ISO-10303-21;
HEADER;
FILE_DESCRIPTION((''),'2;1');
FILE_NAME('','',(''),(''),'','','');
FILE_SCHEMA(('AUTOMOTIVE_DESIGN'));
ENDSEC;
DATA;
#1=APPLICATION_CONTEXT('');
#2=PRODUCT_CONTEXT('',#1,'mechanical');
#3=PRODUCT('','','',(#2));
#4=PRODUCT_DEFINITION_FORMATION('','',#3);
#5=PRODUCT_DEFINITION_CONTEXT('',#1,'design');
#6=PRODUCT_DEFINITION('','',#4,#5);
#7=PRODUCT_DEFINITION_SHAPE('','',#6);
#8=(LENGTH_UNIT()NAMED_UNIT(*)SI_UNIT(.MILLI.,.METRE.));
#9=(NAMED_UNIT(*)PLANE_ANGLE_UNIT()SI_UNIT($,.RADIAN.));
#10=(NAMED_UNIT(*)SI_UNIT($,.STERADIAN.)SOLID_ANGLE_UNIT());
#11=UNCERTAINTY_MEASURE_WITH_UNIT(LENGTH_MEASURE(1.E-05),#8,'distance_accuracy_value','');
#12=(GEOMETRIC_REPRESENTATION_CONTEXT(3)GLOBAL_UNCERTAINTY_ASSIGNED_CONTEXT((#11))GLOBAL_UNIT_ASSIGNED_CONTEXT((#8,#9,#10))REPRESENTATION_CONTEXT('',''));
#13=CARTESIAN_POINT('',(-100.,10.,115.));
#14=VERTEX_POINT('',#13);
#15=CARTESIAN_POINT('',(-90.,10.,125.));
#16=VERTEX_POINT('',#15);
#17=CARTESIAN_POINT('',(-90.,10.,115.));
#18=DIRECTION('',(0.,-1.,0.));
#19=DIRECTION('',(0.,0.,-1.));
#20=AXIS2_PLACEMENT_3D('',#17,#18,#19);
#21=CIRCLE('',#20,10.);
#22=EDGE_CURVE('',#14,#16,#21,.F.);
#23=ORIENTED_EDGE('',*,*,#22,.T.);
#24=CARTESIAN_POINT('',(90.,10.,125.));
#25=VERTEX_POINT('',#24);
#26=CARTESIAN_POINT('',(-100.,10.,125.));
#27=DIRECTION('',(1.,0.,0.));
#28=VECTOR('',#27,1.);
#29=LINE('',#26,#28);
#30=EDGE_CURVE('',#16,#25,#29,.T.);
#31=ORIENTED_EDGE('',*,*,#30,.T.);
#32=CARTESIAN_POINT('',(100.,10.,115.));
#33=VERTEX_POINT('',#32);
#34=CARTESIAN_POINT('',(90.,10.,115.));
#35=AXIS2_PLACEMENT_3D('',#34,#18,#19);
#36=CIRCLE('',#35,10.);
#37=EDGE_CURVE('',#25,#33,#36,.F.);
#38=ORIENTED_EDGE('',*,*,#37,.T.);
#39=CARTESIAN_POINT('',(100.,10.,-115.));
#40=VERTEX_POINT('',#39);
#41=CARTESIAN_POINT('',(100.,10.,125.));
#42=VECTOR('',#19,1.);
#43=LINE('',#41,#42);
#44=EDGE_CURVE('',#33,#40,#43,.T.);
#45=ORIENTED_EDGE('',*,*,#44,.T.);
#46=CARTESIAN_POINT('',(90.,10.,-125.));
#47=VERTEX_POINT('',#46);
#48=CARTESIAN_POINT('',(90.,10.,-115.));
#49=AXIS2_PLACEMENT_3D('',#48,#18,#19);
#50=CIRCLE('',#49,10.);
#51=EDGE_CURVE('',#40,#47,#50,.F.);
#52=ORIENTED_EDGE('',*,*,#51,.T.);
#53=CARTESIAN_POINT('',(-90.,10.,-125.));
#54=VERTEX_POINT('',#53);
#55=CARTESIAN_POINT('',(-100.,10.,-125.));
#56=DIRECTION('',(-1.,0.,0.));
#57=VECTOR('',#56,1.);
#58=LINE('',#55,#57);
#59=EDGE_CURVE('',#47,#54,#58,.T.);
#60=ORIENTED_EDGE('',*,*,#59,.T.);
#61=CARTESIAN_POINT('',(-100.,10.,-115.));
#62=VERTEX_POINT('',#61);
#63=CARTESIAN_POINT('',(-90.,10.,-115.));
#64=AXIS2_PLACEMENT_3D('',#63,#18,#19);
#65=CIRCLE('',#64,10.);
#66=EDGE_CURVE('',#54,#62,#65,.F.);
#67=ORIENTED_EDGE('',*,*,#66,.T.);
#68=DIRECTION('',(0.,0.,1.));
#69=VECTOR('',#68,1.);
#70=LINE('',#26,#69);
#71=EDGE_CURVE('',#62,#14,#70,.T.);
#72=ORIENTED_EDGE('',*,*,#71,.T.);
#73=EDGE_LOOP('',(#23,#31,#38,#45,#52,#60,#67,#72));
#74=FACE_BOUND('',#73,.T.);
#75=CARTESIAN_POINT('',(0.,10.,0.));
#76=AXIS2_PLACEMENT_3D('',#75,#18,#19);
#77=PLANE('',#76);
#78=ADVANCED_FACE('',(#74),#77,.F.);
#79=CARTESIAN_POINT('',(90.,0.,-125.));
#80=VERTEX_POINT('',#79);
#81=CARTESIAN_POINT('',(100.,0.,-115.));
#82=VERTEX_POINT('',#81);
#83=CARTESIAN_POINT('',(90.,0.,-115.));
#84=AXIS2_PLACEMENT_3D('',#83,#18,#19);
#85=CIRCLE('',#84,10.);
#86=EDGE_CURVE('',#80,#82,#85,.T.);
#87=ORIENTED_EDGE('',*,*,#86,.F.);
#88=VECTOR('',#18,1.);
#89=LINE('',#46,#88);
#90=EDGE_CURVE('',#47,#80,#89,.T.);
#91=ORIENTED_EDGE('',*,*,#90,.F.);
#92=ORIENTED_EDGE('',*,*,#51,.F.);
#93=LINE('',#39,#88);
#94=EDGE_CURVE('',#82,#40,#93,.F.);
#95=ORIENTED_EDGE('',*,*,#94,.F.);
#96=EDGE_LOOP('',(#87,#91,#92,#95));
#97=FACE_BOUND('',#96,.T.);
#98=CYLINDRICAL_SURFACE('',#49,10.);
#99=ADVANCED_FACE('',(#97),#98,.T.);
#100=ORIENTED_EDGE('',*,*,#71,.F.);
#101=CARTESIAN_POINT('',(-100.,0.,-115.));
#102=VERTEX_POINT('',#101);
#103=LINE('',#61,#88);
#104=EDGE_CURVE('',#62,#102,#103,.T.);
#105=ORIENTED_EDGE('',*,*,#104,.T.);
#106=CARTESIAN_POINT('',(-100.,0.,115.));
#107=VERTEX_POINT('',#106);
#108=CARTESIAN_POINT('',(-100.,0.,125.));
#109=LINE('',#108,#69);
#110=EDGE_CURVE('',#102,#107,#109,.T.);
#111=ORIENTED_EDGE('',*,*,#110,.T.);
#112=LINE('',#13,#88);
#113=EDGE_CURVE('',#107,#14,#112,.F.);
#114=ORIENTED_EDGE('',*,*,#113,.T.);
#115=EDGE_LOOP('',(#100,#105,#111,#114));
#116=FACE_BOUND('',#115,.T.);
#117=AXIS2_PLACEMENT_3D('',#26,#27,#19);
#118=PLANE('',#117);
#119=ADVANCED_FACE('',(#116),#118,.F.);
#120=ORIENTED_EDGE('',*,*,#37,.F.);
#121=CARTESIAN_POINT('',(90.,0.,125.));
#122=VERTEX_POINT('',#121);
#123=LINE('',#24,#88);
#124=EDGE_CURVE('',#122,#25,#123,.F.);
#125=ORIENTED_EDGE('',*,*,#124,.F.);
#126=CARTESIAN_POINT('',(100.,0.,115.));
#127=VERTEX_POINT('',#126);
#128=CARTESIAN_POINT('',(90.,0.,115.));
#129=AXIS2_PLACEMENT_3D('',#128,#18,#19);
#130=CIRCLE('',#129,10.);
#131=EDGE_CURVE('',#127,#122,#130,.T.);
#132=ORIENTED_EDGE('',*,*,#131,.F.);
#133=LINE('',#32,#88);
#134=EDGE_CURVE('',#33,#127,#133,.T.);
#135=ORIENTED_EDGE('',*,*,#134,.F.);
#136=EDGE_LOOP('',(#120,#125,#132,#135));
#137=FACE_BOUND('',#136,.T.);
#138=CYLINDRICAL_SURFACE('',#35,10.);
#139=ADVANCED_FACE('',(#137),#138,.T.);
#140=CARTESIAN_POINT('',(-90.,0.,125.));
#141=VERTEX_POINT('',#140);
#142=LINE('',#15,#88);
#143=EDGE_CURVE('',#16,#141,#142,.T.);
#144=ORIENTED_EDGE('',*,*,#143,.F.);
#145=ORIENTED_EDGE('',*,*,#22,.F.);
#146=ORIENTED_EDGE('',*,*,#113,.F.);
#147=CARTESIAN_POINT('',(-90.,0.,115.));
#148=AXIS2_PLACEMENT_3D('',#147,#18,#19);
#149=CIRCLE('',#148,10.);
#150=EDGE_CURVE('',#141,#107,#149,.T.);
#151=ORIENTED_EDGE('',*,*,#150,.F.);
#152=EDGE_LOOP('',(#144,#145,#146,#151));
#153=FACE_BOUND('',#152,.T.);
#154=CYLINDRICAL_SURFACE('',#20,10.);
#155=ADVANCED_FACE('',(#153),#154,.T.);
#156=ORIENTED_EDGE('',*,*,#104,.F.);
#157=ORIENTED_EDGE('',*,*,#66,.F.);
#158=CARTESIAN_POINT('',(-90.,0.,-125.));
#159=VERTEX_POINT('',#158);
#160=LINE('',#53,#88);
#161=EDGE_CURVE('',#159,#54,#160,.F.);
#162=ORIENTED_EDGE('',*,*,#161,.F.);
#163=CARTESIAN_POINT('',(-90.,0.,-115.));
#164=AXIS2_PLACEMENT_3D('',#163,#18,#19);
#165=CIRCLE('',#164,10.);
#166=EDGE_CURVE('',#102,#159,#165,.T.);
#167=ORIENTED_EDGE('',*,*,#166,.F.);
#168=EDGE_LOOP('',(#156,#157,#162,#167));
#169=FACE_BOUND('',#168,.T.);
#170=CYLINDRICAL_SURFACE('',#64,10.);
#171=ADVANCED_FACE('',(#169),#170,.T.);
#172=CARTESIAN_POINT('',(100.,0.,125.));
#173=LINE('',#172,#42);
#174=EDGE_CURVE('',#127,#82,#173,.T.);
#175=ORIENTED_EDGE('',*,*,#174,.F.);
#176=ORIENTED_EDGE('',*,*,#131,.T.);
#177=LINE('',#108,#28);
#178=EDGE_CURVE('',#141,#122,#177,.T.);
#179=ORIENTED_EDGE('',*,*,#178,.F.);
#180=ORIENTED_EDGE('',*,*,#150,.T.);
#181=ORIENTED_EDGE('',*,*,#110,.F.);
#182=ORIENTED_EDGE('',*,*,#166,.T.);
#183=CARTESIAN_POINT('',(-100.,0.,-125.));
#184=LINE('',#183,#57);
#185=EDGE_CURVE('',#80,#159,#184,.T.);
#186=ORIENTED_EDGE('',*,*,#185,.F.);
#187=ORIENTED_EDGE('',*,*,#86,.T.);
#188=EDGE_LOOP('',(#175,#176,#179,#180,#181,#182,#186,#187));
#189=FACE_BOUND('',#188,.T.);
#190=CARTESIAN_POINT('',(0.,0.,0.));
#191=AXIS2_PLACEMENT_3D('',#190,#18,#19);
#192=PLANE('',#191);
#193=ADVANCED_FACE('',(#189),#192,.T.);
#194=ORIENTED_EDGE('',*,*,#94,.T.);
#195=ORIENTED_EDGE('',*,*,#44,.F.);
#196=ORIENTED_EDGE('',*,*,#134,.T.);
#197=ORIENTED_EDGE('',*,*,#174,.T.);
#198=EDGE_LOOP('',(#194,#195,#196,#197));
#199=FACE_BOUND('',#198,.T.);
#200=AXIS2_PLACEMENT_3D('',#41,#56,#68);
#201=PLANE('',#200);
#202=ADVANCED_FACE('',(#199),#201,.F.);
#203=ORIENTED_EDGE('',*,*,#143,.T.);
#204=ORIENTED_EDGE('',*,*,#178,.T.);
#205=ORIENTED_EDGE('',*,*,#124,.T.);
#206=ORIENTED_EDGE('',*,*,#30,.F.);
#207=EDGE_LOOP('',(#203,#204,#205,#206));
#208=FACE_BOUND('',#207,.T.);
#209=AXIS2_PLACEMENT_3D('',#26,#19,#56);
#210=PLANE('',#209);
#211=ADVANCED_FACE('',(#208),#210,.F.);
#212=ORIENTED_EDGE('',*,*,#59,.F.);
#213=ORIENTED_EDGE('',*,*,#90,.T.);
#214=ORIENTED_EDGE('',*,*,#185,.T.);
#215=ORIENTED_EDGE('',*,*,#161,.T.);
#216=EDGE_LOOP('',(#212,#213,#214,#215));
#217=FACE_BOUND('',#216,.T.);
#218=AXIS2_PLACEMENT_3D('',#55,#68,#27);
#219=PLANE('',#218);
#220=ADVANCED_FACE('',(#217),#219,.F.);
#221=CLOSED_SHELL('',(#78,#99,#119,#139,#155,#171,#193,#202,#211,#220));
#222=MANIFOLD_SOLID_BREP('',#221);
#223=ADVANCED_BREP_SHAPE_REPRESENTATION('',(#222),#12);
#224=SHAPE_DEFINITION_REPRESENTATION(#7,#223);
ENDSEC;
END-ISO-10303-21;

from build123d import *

# Parameters (mm, degrees)
SKETCH1_W           = 200
SKETCH1_H           = 250
BOSS_EXTRUDE1_DEPTH = 10
FILLET1_R           = 10
FILLET2_R           = 10


with BuildPart() as part:
    # Sketch1 → Boss-Extrude1 (new body)
    with BuildSketch(Plane(origin=(0, 0, 0), x_dir=(1, 0, 0), z_dir=(0, 1, 0))):
        Rectangle(SKETCH1_W, SKETCH1_H)
    extrude(amount=BOSS_EXTRUDE1_DEPTH)

    # Fillet1
    fillet1_edges = [part.edges().sort_by_distance(p)[0] for p in [
        (100, 5, 125),
        (100, 5, -125),
    ]]
    fillet(fillet1_edges, radius=FILLET1_R)

    # Fillet2
    fillet2_edges = [part.edges().sort_by_distance(p)[0] for p in [
        (-100, 5, 125),
        (-100, 5, -125),
    ]]
    fillet(fillet2_edges, radius=FILLET2_R)


solid = part.part
